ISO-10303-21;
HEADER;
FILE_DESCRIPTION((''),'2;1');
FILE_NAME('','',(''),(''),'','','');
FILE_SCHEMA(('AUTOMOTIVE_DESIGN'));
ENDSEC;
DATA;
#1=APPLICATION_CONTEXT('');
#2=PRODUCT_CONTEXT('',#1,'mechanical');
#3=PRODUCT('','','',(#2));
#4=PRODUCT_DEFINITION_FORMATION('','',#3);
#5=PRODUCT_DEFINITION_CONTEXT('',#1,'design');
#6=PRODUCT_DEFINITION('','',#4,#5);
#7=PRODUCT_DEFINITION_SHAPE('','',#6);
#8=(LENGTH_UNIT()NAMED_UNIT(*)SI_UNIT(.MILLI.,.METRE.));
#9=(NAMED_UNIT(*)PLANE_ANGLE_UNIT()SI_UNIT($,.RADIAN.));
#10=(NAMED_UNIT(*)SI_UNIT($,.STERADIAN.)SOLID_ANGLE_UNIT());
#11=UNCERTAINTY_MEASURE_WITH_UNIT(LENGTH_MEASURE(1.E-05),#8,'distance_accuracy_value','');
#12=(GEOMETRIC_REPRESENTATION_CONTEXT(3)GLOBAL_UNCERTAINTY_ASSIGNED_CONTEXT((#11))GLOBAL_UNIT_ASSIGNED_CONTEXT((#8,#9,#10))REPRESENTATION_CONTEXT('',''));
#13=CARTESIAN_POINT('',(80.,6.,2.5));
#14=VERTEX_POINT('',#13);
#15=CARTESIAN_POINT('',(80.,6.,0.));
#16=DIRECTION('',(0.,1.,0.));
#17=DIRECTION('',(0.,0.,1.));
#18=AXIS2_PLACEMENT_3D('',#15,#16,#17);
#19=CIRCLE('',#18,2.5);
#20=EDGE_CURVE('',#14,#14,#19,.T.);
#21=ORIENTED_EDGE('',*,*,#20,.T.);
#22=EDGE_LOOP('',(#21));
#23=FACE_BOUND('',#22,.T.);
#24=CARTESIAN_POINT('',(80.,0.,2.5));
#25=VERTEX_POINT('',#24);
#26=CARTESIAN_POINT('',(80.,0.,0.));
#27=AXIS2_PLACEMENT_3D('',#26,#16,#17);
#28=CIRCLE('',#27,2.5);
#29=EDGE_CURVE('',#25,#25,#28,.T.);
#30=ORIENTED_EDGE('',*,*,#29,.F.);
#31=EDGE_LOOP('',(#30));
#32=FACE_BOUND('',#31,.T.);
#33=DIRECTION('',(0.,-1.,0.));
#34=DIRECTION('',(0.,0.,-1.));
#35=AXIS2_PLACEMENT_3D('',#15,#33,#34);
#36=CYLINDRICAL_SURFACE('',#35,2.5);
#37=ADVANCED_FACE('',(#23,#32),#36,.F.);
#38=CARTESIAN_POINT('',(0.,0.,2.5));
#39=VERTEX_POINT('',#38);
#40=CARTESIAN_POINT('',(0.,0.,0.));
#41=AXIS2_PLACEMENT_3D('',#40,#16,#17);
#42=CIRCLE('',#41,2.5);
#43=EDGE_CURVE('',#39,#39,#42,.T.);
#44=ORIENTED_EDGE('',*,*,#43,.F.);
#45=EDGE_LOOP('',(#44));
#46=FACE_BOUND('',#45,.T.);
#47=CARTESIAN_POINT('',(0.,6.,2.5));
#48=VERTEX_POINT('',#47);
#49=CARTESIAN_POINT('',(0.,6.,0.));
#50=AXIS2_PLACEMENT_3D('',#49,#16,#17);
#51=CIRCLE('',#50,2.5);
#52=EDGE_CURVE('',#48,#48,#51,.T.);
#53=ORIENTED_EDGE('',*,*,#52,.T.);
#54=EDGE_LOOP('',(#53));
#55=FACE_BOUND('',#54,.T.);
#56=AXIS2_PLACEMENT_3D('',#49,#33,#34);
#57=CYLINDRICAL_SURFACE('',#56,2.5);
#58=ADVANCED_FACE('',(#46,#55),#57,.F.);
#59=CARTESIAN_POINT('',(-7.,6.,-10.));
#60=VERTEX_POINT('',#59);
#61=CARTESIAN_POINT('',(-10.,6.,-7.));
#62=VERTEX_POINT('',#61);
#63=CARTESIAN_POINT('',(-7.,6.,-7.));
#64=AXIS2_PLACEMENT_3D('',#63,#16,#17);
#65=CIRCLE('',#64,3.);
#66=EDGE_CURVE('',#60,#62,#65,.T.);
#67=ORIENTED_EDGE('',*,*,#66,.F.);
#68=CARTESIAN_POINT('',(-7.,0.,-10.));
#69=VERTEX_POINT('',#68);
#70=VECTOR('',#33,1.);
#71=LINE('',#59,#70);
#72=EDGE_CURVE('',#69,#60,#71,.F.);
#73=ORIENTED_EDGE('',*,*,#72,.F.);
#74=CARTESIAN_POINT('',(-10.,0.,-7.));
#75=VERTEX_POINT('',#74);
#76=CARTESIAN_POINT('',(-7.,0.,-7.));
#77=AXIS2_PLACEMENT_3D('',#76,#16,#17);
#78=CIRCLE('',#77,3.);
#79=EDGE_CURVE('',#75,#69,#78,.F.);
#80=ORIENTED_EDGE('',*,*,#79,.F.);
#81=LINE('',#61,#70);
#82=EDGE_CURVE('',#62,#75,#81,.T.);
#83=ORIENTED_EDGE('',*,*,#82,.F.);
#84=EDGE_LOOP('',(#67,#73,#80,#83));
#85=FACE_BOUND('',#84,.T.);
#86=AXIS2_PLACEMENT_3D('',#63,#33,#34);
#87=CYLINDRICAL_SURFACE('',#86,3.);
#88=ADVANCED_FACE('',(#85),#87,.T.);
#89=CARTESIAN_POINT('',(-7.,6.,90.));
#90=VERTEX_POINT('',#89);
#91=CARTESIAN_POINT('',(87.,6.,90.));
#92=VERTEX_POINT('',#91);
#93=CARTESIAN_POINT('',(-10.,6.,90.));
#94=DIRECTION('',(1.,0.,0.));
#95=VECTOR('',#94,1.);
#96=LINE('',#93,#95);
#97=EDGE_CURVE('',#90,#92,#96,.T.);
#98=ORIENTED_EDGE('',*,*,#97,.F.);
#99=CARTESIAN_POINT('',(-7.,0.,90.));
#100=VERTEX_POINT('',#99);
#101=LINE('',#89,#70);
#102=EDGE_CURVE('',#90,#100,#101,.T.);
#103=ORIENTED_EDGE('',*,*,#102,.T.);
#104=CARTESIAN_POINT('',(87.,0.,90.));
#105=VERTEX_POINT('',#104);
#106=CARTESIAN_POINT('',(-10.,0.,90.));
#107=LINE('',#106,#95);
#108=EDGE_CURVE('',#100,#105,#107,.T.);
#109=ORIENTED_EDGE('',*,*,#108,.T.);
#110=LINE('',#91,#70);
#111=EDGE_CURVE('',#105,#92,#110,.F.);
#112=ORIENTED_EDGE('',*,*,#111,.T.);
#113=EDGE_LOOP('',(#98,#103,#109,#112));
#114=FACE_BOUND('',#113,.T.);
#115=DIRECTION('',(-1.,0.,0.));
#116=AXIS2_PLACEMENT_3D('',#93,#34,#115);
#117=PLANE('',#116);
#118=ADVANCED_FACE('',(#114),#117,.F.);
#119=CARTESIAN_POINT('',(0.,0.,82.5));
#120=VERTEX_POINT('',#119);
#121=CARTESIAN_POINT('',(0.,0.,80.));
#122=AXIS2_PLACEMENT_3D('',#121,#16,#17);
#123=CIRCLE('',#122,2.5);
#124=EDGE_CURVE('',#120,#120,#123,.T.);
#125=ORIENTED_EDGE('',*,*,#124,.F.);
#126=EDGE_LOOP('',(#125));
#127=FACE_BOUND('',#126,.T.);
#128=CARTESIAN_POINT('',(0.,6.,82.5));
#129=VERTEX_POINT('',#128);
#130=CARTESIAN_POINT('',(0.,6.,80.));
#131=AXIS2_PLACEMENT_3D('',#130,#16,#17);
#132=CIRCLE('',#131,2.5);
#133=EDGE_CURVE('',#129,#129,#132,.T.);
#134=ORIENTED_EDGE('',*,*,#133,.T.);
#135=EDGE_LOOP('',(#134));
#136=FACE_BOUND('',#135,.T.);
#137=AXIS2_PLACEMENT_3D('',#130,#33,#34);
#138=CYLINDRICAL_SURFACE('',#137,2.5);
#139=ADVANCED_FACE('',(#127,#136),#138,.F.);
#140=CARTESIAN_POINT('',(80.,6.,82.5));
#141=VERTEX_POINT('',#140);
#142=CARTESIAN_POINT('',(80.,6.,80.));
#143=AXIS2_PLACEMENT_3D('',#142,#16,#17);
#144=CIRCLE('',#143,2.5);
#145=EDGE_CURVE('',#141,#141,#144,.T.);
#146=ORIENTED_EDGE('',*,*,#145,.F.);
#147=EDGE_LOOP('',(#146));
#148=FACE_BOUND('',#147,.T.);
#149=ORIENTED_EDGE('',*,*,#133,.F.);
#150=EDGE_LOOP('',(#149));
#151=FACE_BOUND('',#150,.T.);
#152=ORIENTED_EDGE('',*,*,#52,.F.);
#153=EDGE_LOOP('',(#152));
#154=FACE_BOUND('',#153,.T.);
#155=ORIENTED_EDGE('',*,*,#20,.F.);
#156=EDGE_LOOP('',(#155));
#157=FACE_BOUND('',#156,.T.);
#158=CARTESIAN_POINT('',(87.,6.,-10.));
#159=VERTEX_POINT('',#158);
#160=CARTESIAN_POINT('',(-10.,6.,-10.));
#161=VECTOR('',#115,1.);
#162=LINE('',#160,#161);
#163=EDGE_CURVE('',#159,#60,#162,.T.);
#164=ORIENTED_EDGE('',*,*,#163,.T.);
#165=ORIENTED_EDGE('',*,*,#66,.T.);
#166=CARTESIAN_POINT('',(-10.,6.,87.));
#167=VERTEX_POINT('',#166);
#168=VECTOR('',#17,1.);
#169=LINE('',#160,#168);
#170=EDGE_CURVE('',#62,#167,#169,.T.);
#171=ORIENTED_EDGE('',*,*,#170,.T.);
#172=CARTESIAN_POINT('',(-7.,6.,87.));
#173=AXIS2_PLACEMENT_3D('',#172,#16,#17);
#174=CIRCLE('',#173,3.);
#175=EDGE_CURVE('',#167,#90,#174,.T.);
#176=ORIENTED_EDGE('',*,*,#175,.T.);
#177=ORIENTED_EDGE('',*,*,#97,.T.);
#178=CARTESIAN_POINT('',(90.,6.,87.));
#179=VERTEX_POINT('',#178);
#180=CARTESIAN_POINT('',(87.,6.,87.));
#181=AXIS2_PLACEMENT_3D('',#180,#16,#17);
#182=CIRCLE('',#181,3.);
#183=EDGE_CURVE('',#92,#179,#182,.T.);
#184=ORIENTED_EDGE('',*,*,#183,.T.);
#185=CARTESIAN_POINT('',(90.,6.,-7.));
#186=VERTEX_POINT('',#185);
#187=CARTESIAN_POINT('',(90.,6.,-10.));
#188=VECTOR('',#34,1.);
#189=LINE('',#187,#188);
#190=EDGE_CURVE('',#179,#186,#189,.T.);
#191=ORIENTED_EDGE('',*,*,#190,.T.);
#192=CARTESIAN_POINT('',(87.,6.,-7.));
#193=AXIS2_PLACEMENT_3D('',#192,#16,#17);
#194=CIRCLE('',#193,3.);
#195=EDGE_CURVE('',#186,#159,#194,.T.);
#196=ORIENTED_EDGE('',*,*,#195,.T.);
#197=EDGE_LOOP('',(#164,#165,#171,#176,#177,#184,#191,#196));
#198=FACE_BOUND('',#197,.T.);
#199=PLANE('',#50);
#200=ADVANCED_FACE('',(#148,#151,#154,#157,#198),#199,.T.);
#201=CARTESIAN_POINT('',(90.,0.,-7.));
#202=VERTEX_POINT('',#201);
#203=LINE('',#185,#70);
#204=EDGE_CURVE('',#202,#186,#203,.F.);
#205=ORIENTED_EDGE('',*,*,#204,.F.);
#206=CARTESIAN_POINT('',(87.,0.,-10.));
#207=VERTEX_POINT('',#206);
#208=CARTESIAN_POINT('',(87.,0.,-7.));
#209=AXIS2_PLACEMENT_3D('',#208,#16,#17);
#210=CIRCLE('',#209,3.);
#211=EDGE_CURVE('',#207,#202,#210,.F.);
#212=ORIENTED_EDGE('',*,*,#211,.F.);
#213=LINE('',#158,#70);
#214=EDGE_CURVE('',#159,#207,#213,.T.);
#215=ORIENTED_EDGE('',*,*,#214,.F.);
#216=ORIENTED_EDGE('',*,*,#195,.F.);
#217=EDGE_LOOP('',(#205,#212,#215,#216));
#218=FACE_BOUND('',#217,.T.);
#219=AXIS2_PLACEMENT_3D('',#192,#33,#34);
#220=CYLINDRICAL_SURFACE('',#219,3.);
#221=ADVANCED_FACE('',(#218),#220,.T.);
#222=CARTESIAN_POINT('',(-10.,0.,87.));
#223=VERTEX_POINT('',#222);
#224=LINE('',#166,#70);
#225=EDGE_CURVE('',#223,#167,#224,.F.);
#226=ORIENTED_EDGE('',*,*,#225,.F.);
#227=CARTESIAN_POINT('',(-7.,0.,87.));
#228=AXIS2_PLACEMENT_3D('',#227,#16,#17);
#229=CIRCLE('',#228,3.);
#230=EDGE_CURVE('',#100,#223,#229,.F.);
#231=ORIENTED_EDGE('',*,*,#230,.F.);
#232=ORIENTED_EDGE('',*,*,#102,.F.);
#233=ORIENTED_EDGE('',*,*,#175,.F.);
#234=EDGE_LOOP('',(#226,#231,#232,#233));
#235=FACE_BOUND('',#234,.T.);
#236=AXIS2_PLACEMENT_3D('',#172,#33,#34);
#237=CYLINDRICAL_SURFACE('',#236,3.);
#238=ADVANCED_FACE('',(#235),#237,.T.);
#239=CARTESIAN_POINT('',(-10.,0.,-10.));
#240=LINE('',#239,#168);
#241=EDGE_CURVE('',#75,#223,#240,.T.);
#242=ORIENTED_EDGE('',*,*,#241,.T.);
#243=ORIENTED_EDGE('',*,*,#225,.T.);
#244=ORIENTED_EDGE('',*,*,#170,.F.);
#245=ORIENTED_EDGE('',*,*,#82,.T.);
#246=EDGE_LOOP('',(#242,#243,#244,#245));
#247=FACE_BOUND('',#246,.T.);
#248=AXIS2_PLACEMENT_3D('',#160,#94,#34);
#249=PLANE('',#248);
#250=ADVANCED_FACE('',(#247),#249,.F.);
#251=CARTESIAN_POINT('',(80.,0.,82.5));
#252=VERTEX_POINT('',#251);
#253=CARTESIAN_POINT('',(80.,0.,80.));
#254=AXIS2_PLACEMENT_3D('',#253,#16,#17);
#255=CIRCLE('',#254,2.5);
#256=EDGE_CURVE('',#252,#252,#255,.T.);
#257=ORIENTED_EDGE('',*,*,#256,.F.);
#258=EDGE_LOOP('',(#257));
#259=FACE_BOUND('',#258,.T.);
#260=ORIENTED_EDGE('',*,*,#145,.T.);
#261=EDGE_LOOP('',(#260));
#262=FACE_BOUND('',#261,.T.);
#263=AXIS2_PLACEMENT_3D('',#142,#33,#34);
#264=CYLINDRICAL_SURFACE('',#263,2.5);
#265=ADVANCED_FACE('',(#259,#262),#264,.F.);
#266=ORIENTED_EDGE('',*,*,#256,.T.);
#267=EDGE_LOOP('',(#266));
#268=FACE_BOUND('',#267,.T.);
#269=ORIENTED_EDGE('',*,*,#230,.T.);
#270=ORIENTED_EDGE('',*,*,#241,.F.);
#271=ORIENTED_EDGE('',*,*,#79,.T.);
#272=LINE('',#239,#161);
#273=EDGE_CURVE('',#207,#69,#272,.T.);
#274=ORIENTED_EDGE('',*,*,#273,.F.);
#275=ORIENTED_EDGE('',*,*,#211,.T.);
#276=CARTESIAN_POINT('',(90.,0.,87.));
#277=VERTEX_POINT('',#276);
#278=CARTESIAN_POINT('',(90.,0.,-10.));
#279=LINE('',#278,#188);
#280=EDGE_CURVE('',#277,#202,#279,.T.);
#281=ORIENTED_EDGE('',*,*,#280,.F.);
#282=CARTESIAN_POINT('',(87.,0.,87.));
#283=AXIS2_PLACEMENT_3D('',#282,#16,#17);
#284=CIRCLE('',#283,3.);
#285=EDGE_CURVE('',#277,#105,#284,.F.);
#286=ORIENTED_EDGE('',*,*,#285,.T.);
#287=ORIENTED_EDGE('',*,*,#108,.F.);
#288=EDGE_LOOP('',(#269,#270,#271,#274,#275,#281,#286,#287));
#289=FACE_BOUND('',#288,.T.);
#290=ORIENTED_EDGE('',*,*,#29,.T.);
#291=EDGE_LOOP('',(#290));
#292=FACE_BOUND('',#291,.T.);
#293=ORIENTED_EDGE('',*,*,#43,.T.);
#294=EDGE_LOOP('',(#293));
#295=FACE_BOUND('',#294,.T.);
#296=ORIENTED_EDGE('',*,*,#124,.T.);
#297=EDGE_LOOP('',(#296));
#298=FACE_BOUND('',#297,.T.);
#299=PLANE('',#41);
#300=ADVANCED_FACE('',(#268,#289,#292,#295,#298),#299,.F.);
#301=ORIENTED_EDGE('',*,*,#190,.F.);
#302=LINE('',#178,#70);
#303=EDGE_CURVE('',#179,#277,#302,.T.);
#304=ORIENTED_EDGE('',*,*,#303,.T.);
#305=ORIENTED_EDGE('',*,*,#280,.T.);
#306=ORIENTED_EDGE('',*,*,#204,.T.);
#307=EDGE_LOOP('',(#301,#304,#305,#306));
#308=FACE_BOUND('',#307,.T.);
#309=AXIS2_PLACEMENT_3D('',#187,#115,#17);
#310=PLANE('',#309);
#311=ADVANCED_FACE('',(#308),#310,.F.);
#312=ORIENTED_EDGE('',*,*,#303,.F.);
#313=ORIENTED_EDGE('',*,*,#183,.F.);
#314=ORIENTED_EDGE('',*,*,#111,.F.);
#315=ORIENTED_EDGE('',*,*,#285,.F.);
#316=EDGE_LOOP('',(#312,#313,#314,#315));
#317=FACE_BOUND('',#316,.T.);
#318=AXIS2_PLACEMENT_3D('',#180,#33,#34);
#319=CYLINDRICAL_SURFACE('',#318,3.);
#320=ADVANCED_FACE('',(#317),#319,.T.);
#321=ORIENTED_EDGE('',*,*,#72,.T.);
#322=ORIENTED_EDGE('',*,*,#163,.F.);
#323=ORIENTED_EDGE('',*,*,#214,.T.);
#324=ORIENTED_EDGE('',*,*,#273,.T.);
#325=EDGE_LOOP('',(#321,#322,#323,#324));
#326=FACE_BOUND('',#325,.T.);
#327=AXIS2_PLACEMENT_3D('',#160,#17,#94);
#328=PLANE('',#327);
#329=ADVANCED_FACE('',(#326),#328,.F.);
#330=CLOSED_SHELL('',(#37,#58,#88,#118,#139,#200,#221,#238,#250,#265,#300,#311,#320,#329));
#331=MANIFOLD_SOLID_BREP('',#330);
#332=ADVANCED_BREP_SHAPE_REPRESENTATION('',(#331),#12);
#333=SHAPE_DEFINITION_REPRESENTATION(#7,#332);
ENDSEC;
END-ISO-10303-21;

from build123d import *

# Parameters (mm, degrees)
SKETCH1_W           = 100
SKETCH1_H           = 100
SKETCH1_R           = 2.5
BOSS_EXTRUDE1_DEPTH = 6
FILLET1_R           = 3


with BuildPart() as part:
    # Sketch1 → Boss-Extrude1 (new body)
    with BuildSketch(Plane(origin=(0, 0, 0), x_dir=(1, 0, 0), z_dir=(0, 1, 0))):
        with Locations((40, -40)):
            Rectangle(SKETCH1_W, SKETCH1_H)
        Circle(SKETCH1_R, mode=Mode.SUBTRACT)
        with Locations((80, 0)):
            Circle(SKETCH1_R, mode=Mode.SUBTRACT)
        with Locations((80, -80)):
            Circle(SKETCH1_R, mode=Mode.SUBTRACT)
        with Locations((0, -80)):
            Circle(SKETCH1_R, mode=Mode.SUBTRACT)
    extrude(amount=BOSS_EXTRUDE1_DEPTH)

    # Fillet1
    fillet1_edges = [part.edges().sort_by_distance(p)[0] for p in [
        (-10, 3, -10),
        (90, 3, -10),
        (90, 3, 90),
        (-10, 3, 90),
    ]]
    fillet(fillet1_edges, radius=FILLET1_R)


solid = part.part
